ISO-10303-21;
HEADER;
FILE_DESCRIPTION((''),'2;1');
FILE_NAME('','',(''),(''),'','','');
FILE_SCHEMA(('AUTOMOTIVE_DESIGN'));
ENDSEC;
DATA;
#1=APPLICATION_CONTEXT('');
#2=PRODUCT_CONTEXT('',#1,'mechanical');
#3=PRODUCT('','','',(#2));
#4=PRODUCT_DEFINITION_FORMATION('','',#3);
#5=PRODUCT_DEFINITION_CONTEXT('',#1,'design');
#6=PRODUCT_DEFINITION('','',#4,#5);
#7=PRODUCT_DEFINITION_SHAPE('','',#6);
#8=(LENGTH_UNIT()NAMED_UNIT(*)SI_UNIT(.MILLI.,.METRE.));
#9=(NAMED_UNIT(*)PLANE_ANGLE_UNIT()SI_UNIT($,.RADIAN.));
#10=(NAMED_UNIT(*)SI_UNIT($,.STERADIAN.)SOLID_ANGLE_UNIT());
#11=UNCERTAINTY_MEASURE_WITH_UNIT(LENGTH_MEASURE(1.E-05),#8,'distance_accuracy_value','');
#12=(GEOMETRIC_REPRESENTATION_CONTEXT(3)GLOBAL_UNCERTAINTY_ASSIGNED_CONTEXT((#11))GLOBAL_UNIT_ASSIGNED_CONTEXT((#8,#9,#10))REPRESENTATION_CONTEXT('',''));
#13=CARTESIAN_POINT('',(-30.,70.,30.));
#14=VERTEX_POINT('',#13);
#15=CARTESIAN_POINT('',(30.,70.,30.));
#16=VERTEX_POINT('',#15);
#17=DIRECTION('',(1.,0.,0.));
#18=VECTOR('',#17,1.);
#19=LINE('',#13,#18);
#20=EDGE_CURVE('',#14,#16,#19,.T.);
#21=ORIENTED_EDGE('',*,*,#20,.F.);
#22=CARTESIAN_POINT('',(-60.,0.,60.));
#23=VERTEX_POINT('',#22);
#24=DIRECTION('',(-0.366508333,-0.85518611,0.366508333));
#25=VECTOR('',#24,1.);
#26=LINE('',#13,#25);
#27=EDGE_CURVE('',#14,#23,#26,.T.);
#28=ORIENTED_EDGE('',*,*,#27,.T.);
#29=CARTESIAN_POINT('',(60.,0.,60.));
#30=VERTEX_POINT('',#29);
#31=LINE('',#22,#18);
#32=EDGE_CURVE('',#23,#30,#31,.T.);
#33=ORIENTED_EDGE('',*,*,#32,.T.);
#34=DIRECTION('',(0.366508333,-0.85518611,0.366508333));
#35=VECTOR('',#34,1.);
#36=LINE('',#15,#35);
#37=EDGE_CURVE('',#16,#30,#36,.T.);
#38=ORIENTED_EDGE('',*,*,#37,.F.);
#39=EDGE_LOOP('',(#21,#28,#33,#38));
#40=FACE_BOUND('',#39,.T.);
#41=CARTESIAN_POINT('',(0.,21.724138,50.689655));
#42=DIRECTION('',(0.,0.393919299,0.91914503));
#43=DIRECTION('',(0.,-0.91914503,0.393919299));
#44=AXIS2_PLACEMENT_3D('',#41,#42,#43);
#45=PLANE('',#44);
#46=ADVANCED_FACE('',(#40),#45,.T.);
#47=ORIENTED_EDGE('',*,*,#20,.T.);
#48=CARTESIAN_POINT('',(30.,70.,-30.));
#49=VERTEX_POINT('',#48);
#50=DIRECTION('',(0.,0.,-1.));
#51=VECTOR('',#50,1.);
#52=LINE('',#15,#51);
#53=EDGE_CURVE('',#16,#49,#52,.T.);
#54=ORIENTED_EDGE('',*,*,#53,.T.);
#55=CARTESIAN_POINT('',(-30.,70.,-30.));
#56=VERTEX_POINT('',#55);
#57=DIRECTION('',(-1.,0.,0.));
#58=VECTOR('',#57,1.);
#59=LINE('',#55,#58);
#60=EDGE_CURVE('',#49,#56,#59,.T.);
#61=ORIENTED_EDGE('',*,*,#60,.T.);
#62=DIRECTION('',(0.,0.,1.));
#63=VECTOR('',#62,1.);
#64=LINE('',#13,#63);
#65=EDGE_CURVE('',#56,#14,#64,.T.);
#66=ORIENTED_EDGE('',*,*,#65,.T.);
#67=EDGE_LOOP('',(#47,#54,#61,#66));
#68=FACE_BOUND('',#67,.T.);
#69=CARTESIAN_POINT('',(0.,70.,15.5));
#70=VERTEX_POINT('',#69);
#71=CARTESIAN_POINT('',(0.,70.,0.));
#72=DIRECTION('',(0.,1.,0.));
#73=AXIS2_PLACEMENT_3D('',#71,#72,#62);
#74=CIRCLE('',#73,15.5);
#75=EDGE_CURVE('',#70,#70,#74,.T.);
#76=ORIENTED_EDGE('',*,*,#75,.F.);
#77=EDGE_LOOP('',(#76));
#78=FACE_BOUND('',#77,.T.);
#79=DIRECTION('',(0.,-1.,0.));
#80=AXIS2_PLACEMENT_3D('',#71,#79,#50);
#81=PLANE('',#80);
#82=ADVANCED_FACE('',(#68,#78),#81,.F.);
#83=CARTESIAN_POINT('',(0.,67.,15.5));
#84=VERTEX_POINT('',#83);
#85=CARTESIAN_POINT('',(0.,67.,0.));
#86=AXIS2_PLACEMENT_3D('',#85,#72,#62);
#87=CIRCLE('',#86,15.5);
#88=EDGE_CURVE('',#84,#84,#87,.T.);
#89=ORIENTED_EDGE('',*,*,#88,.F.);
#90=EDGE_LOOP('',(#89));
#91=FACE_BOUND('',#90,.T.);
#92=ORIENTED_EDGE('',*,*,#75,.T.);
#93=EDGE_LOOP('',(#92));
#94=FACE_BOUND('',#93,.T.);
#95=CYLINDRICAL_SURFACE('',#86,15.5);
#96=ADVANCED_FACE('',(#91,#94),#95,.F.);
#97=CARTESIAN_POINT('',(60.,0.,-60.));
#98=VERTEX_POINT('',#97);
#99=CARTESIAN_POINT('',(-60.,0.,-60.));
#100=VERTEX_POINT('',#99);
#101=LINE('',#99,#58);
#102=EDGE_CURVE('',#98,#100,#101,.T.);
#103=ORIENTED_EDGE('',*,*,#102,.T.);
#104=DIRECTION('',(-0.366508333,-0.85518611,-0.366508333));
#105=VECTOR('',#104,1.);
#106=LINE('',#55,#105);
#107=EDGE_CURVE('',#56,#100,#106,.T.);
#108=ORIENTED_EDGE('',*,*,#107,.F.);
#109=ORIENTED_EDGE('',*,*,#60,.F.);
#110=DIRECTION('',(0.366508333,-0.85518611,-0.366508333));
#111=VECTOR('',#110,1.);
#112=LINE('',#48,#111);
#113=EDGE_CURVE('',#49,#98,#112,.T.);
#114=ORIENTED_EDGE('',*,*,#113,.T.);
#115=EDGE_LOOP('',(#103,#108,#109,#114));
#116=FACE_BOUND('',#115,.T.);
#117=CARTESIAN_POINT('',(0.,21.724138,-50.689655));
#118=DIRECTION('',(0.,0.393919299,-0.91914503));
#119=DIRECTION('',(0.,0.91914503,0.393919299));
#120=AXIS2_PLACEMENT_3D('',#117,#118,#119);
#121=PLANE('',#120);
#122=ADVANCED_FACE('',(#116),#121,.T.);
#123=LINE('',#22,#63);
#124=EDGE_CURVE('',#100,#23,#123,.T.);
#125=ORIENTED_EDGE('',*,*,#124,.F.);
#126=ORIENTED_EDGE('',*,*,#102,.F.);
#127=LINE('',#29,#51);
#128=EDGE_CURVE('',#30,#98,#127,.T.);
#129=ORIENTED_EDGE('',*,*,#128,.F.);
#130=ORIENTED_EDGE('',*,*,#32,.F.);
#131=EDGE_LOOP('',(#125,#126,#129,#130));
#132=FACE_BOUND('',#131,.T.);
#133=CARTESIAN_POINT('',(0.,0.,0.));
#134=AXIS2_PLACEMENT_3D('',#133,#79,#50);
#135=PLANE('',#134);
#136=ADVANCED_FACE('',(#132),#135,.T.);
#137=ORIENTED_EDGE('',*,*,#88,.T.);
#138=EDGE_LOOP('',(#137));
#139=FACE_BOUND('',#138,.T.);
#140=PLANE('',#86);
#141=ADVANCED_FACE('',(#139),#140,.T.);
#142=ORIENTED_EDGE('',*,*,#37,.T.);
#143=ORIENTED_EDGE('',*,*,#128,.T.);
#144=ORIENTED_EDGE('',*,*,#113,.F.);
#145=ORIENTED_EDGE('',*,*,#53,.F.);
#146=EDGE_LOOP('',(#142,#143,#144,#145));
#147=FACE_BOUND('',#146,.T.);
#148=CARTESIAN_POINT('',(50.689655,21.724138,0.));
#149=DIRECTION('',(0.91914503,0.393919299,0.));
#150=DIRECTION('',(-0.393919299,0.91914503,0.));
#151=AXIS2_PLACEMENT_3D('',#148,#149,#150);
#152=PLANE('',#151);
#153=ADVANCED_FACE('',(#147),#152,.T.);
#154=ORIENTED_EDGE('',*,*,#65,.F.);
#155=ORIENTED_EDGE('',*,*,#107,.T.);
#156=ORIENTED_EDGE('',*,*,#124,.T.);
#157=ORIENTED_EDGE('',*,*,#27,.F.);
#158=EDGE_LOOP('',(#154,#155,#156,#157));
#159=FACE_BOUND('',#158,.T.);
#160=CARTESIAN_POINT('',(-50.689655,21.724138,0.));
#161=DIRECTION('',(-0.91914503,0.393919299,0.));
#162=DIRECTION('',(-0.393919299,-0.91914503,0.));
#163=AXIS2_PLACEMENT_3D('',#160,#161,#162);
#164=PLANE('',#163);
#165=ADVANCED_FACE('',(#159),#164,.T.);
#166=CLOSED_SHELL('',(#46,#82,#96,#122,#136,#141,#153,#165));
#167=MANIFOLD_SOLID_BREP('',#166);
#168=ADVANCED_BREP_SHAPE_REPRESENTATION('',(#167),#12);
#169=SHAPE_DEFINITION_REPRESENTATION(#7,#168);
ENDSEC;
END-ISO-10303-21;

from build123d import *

# Parameters (mm, degrees)
SKETCH_3_R          = 15.5
CUT_EXTRUDE_1_DEPTH = 3


with BuildPart() as part:
    # 草图2 → 放样1 section 0
    with BuildSketch(Plane(origin=(0, 70, 0), x_dir=(1, 0, 0), z_dir=(0, 1, 0))):
        with BuildLine():
            Line((-30, -30), (30, -30))
            Line((30, -30), (30, 30))
            Line((30, 30), (-30, 30))
            Line((-30, 30), (-30, -30))
        make_face()
    # 草图1 → 放样1 section 1
    with BuildSketch(Plane(origin=(0, 0, 0), x_dir=(1, 0, 0), z_dir=(0, 1, 0))):
        with BuildLine():
            Line((-60, -60), (60, -60))
            Line((60, -60), (60, 60))
            Line((60, 60), (-60, 60))
            Line((-60, 60), (-60, -60))
        make_face()
    loft()

    # 草图3 → 切除-拉伸1 (cut)
    with BuildSketch(Plane(origin=(0, 70, 0), x_dir=(1, 0, 0), z_dir=(0, 1, 0))):
        with Locations(Location((0, 0, 0), (0, 0, 270))):
            Circle(SKETCH_3_R)
    extrude(amount=-CUT_EXTRUDE_1_DEPTH, mode=Mode.SUBTRACT)


solid = part.part
